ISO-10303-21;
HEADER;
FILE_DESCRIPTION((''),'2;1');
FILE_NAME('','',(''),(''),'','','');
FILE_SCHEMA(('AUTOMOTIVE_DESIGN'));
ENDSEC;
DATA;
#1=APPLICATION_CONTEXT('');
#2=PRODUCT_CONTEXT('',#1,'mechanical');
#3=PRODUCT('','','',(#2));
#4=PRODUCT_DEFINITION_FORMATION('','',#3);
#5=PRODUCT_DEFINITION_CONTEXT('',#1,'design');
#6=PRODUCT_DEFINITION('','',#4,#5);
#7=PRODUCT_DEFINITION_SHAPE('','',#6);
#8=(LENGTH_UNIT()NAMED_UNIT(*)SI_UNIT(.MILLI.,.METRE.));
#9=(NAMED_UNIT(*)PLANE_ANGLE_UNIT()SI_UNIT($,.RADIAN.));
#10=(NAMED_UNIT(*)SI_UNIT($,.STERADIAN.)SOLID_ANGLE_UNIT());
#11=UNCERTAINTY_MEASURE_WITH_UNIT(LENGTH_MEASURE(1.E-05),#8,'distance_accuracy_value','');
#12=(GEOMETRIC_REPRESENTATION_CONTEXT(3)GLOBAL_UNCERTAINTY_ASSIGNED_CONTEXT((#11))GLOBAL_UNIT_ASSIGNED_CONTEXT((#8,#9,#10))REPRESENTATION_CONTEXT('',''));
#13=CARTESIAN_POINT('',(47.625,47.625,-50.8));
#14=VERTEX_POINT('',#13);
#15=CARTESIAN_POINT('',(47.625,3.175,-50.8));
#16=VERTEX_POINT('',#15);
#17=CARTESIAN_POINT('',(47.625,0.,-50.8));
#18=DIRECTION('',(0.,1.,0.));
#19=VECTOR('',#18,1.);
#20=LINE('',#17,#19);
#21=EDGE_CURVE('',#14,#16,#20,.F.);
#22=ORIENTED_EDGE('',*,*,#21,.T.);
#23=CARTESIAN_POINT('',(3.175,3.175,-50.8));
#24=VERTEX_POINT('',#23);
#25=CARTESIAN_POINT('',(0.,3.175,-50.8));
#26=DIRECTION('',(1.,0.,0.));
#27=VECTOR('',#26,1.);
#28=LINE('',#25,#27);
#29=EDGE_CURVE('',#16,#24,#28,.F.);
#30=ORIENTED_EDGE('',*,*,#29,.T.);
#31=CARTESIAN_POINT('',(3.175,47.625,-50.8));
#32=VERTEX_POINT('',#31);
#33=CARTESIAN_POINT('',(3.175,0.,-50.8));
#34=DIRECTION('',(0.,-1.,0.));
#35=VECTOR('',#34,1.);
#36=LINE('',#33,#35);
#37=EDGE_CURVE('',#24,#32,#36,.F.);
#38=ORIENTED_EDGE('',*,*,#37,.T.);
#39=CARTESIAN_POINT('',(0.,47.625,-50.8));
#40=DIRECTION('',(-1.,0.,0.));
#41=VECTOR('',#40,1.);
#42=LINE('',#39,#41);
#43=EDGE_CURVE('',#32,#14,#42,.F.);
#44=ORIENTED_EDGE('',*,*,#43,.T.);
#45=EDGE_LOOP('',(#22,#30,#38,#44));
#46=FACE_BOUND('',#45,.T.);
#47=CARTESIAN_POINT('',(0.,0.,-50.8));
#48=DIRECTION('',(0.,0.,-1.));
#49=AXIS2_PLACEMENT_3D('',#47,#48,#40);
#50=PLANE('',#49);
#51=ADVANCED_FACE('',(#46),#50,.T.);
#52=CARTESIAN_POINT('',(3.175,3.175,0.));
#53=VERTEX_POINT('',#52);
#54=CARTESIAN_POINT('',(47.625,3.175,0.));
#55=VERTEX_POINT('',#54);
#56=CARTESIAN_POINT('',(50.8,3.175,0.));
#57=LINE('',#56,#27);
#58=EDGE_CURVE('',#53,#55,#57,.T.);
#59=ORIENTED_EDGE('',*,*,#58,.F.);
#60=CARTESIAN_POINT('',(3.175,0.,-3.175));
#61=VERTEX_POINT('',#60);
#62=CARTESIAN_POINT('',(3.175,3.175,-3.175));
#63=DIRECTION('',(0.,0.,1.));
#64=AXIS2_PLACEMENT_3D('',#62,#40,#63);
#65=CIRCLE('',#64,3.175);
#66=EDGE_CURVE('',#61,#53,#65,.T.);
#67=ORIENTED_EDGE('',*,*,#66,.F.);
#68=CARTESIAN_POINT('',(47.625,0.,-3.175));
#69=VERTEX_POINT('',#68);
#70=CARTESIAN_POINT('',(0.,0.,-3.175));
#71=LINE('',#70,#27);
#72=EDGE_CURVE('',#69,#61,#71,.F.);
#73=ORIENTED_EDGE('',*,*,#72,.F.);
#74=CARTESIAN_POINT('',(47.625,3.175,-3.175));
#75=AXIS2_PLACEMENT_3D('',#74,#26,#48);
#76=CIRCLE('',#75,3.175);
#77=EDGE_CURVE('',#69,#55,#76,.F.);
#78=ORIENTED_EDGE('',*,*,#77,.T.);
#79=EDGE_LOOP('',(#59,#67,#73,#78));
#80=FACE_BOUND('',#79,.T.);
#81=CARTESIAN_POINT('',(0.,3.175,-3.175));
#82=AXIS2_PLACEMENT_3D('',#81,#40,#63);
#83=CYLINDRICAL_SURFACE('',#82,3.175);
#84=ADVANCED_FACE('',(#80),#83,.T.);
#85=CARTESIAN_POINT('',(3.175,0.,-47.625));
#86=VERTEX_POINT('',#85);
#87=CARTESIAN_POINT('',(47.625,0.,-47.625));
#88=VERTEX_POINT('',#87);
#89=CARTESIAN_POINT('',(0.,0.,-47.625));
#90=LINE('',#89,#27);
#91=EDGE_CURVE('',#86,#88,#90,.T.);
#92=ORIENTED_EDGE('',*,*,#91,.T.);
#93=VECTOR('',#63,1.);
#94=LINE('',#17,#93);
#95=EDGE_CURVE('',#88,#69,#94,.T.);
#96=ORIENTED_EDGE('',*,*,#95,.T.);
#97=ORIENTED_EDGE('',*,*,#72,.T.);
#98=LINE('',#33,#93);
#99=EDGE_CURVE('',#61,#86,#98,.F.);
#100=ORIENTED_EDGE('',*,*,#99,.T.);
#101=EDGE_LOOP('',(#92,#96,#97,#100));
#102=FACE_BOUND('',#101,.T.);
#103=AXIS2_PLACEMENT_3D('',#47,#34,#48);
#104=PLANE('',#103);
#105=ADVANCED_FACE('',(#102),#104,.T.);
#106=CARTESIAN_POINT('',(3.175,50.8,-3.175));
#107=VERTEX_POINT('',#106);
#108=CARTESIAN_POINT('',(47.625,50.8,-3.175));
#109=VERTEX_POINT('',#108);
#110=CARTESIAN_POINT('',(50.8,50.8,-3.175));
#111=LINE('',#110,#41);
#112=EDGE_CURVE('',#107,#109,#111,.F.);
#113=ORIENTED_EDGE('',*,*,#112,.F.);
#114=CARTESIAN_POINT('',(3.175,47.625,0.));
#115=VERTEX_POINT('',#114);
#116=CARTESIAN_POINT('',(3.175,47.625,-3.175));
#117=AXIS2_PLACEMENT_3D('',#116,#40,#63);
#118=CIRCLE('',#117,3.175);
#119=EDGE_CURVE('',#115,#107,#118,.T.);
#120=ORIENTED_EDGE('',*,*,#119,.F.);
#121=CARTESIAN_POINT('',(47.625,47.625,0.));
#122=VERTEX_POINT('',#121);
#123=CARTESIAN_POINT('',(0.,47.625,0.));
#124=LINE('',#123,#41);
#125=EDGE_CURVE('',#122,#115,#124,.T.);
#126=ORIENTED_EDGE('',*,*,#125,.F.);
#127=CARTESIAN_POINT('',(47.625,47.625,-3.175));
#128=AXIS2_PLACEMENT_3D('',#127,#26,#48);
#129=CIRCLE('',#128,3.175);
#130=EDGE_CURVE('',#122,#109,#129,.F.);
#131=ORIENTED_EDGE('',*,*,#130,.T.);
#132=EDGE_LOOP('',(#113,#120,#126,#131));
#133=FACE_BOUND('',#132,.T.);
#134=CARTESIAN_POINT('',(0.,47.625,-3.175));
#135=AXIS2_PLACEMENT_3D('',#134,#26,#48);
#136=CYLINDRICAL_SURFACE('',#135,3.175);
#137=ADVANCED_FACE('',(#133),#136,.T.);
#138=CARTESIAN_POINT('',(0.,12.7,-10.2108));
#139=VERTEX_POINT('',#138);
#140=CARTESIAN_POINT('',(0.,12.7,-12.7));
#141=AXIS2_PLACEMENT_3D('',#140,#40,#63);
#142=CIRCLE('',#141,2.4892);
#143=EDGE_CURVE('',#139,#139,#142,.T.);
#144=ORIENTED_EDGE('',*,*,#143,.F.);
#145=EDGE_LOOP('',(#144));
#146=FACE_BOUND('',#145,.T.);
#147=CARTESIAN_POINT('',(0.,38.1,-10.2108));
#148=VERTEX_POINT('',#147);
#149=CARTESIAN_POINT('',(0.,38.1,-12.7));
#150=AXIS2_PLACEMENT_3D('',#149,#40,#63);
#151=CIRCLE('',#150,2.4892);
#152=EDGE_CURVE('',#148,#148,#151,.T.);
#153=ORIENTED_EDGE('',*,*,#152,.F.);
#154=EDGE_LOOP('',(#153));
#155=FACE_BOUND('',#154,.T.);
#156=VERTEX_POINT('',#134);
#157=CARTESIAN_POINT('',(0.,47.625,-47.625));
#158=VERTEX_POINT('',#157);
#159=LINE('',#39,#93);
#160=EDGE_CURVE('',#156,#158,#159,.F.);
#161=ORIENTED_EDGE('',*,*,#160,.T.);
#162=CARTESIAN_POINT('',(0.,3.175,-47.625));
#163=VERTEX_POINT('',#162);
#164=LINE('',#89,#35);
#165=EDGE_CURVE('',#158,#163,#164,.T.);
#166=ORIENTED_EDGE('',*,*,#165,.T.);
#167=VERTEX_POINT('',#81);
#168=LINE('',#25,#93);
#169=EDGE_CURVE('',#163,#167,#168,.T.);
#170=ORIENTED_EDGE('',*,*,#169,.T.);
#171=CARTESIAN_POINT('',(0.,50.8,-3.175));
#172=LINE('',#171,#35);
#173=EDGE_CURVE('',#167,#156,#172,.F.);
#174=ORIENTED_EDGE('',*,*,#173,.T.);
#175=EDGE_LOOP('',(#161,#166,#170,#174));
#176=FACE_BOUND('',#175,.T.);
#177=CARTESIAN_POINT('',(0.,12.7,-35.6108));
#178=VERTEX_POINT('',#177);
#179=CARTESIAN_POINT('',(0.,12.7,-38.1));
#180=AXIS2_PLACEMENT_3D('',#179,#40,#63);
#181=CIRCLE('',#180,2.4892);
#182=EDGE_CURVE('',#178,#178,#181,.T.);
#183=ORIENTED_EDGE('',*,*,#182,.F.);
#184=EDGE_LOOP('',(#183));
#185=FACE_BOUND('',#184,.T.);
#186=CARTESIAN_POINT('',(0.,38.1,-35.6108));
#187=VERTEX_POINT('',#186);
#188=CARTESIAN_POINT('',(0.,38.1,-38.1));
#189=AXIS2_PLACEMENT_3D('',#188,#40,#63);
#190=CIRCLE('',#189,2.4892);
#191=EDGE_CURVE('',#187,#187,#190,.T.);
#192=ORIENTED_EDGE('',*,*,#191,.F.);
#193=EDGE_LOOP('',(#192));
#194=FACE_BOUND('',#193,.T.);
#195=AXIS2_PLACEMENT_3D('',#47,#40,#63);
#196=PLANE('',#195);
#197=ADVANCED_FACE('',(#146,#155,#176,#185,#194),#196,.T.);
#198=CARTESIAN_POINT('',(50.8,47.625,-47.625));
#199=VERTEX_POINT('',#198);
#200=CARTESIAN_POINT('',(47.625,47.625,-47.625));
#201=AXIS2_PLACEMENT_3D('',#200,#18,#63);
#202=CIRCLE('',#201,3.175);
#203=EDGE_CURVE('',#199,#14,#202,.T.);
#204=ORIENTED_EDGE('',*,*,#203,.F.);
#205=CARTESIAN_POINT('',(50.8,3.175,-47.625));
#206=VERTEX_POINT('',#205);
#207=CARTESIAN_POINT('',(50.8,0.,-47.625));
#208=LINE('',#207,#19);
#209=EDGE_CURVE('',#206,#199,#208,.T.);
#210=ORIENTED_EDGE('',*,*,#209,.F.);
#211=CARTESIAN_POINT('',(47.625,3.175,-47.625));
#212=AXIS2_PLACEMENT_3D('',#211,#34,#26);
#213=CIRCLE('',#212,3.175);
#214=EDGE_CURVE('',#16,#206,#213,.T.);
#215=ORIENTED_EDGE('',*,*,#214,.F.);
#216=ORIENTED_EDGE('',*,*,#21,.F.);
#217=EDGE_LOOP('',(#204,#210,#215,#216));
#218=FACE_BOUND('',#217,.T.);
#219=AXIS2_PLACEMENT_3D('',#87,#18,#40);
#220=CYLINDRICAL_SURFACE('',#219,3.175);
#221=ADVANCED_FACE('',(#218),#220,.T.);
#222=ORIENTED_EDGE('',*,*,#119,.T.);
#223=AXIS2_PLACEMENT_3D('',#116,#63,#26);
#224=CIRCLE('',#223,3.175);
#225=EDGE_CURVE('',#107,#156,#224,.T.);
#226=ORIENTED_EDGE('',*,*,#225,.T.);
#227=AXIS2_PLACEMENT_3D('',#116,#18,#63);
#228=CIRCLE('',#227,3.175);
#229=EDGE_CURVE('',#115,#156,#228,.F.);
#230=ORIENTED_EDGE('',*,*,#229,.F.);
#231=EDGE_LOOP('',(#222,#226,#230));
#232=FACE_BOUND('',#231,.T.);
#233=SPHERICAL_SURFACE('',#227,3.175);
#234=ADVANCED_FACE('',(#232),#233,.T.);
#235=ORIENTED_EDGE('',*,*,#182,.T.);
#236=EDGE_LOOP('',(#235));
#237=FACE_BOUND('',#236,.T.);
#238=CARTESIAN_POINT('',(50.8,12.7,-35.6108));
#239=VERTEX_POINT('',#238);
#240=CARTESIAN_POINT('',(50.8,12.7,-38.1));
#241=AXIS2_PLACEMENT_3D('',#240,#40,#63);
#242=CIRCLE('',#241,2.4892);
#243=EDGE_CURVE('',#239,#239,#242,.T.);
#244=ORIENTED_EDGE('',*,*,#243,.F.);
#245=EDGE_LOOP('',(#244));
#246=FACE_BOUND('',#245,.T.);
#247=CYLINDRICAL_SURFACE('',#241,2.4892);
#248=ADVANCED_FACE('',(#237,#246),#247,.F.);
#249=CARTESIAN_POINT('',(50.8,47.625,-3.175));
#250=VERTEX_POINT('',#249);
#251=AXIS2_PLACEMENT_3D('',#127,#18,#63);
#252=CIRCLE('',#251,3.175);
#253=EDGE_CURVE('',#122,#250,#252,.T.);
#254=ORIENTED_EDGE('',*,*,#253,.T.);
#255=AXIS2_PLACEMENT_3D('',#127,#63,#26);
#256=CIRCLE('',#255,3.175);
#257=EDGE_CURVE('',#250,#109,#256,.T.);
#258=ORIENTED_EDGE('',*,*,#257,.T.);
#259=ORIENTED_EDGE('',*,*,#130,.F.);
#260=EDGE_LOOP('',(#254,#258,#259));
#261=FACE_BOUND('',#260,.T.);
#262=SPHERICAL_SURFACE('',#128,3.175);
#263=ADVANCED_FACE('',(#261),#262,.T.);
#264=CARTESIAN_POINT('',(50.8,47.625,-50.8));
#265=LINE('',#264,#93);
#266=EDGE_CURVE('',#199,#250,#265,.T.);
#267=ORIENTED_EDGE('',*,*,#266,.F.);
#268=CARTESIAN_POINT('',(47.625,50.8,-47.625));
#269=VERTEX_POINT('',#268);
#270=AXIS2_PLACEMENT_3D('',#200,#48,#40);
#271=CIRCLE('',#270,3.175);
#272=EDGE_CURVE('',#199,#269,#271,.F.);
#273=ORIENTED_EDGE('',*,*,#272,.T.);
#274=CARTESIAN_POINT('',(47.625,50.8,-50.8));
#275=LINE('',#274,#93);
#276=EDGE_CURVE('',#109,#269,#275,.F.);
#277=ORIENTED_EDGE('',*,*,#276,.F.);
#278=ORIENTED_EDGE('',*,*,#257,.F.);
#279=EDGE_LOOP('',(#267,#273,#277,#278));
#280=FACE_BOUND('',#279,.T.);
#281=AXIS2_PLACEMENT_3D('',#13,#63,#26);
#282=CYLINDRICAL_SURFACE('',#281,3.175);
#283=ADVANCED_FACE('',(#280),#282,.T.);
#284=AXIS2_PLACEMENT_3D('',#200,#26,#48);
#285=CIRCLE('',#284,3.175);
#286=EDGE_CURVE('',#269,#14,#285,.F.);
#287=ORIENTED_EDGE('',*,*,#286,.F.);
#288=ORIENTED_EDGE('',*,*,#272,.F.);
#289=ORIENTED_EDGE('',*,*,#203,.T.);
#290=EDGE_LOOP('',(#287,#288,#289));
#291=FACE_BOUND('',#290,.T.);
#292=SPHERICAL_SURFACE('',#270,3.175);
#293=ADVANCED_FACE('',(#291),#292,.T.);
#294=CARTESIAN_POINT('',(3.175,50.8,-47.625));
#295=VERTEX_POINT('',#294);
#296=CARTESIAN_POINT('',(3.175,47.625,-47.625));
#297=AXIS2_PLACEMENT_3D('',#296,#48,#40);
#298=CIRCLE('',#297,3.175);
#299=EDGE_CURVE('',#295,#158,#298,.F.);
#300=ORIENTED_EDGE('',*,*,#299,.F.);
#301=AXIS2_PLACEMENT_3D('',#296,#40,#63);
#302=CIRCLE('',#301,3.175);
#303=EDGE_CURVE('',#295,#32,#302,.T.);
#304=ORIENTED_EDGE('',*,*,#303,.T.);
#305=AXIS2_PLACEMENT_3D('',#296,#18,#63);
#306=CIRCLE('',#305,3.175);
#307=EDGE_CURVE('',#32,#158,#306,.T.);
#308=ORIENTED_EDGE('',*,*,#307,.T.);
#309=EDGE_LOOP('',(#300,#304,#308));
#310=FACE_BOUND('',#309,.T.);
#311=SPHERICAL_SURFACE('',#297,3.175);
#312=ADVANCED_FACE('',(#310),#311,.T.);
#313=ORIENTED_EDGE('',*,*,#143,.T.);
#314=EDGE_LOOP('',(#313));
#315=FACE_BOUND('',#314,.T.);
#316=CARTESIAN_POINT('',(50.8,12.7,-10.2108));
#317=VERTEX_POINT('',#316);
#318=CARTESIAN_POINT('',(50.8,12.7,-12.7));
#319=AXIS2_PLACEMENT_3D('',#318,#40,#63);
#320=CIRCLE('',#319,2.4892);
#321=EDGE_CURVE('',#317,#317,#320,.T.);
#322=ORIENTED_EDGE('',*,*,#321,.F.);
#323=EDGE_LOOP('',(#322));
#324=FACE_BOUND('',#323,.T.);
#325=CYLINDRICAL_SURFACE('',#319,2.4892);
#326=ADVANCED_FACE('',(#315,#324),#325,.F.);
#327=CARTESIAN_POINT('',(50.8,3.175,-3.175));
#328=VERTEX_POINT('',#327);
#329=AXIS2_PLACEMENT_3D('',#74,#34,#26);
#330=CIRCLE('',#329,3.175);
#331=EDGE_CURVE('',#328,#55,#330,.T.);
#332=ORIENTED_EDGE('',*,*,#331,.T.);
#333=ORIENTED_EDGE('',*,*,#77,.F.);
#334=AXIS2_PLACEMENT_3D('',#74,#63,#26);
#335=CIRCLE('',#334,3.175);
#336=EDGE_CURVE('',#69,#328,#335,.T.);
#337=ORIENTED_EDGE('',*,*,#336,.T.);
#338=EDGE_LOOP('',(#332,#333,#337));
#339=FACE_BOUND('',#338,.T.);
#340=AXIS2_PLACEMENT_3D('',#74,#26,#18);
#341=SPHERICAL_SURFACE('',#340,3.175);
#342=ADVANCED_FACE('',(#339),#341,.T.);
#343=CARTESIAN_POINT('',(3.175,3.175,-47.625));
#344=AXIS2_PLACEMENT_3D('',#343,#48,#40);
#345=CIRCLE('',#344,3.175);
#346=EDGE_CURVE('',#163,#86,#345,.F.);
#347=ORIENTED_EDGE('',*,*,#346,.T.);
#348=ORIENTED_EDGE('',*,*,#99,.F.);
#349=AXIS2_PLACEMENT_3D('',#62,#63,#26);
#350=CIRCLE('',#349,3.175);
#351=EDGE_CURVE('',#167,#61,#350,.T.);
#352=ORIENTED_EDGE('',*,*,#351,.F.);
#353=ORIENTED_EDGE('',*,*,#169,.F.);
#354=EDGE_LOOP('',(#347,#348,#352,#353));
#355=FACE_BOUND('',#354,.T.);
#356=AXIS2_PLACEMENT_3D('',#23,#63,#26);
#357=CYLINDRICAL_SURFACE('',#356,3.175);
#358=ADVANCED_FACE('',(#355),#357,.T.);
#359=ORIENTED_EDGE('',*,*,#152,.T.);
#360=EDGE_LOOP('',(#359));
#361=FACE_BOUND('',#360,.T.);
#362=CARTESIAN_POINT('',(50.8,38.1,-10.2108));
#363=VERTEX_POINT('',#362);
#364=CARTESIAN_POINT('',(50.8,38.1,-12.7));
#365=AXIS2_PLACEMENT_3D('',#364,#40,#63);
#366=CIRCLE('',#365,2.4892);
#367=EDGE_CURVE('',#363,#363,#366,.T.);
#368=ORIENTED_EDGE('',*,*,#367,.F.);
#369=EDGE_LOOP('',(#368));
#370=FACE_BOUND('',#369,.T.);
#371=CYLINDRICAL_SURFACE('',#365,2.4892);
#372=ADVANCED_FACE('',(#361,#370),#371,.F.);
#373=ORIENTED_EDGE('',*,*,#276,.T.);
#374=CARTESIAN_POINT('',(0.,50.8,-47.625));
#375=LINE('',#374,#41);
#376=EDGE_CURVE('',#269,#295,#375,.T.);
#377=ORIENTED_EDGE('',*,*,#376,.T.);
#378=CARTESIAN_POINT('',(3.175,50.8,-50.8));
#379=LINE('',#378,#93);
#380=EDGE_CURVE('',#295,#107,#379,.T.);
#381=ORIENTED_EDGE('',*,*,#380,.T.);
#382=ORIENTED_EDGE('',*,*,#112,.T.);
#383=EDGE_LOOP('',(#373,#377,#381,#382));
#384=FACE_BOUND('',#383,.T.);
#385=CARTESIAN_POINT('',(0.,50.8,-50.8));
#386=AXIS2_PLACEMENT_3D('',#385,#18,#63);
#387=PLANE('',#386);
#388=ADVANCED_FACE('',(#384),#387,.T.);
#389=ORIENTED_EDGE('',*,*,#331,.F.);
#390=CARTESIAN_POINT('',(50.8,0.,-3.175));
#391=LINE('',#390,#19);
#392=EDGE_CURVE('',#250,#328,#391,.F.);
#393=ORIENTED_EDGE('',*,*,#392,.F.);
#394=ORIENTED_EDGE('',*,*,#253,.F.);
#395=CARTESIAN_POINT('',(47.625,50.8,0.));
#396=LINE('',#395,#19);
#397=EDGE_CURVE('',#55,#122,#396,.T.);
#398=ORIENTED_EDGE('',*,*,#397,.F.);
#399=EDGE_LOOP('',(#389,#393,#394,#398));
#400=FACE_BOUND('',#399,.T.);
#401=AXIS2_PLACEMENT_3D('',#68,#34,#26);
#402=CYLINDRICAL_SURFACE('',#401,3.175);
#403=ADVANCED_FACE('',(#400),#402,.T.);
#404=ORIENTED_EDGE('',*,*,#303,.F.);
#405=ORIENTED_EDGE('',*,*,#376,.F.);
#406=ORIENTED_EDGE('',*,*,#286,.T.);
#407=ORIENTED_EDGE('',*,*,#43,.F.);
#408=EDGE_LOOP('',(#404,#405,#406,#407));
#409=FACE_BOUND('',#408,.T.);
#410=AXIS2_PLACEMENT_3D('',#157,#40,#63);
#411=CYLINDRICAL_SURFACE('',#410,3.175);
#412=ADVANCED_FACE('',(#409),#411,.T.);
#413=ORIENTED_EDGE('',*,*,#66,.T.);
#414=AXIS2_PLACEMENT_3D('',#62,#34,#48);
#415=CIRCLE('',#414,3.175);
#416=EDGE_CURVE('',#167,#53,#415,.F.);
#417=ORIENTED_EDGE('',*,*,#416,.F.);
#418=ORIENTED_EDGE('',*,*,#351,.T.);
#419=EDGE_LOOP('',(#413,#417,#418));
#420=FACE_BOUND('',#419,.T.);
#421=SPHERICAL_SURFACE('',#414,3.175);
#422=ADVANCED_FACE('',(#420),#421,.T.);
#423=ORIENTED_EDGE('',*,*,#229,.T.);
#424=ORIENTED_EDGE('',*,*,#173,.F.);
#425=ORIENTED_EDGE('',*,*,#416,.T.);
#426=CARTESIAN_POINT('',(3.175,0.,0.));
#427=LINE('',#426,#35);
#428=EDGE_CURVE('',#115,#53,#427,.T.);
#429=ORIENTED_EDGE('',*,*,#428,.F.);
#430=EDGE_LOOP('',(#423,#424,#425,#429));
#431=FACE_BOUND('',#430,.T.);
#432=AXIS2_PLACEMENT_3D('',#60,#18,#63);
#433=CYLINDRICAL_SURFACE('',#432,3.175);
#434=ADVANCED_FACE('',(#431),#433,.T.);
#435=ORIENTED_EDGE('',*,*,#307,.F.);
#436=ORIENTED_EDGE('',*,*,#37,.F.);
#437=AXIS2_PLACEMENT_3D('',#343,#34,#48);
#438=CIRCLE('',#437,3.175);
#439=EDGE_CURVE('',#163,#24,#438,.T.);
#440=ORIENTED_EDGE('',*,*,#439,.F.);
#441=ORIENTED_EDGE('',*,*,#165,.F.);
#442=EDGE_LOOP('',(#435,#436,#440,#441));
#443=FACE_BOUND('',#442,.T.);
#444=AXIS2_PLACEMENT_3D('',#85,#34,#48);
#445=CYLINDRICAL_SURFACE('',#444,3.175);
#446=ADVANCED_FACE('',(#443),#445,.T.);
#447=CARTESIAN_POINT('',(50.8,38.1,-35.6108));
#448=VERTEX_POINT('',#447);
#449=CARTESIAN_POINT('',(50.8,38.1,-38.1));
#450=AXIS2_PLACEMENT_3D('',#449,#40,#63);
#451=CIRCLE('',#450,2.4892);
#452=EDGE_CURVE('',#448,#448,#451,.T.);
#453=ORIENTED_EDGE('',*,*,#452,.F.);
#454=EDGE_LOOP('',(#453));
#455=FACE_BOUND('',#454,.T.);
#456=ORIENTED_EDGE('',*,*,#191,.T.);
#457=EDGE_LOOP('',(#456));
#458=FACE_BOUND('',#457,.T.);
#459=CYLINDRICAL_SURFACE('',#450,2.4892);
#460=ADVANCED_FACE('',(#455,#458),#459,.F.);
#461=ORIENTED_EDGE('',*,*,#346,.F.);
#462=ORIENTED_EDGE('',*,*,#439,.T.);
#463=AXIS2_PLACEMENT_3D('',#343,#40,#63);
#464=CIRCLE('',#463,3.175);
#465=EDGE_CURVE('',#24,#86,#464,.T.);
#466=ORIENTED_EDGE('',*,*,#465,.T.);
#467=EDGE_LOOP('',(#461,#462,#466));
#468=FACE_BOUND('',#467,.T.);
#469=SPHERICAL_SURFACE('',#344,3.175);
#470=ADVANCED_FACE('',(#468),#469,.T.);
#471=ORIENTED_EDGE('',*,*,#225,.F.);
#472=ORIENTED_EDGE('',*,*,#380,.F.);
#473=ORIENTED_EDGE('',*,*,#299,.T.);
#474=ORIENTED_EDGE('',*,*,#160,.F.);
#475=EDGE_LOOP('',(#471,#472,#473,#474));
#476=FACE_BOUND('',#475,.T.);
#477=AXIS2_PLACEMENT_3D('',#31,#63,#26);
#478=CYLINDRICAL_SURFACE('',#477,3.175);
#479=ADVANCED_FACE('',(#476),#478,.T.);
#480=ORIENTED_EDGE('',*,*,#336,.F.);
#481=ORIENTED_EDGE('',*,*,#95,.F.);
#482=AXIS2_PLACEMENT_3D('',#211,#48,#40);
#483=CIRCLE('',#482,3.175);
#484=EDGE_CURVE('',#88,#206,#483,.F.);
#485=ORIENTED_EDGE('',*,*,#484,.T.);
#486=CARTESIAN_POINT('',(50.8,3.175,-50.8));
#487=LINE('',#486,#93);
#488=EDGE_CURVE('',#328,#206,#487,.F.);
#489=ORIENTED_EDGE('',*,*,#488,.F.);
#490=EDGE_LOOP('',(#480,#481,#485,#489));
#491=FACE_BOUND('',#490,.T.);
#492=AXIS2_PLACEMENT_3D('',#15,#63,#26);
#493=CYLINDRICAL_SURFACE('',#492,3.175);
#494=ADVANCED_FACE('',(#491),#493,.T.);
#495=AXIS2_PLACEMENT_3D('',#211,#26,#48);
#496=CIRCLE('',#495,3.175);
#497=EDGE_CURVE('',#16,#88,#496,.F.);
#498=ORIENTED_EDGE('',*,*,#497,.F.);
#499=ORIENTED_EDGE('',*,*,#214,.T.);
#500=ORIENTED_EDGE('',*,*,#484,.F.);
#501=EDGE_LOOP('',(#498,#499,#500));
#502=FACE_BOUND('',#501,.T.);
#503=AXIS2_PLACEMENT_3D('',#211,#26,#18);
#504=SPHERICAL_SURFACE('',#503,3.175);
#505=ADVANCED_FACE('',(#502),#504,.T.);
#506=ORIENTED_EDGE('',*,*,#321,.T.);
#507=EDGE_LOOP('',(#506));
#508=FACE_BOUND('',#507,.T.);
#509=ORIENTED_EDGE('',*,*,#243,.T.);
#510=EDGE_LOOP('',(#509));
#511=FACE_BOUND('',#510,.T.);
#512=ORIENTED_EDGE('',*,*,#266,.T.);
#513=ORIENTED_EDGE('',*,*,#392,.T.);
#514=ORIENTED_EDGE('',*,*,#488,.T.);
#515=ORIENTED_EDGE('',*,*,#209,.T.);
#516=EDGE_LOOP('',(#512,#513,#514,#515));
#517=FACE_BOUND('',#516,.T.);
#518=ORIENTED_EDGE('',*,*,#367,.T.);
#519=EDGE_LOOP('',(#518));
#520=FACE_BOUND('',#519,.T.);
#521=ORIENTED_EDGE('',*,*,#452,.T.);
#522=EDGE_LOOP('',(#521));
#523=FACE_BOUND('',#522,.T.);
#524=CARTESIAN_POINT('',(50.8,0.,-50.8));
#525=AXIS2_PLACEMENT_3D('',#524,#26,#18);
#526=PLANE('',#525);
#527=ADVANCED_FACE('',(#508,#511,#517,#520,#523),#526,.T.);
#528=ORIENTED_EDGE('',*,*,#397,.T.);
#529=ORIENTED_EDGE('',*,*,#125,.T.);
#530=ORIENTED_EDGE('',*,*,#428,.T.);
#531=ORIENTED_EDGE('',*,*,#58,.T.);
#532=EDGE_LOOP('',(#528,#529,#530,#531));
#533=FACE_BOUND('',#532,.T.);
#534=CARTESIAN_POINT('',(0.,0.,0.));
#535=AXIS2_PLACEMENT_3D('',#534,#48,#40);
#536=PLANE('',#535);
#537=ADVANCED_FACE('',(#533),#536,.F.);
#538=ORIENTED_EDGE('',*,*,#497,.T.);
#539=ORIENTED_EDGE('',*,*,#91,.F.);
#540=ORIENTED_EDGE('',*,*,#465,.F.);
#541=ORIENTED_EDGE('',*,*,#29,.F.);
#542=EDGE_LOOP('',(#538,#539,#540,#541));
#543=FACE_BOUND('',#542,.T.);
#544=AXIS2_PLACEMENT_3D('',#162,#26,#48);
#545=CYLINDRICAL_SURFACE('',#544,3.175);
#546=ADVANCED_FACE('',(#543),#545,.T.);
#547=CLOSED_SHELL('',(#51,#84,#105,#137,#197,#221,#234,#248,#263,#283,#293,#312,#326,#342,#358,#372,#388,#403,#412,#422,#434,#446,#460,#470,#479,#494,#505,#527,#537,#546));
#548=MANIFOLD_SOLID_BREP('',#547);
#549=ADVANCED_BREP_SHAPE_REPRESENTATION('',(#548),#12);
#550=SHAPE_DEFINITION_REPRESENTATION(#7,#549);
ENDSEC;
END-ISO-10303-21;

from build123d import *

# Parameters (mm, degrees)
SKETCH1_W           = 50.8
SKETCH1_H           = 50.8
BOSS_EXTRUDE1_DEPTH = 50.8
FILLET1_R           = 3.175
SKETCH2_R           = 2.4892
CUT_EXTRUDE1_DEPTH  = 88.988181024


with BuildPart() as part:
    # Sketch1 → Boss-Extrude1 (new body)
    with BuildSketch(Plane.XY):
        with Locations((25.4, 25.4)):
            Rectangle(SKETCH1_W, SKETCH1_H)
    extrude(amount=-BOSS_EXTRUDE1_DEPTH)

    # Fillet1
    fillet1_edges = [part.edges().sort_by_distance(p)[0] for p in [
        (50.8, 25.4, -50.8),
        (25.4, 50.8, -50.8),
        (0, 25.4, -50.8),
        (25.4, 50.8, 0),
        (50.8, 25.4, 0),
        (25.4, 0, 0),
        (0, 25.4, 0),
        (0, 50.8, -25.4),
        (50.8, 50.8, -25.4),
        (50.8, 0, -25.4),
        (0, 0, -25.4),
        (25.4, 0, -50.8),
    ]]
    fillet(fillet1_edges, radius=FILLET1_R)

    # Sketch2 → Cut-Extrude1 (cut, through all)
    with BuildSketch(Plane.ZY):
        with Locations((-38.1, 12.7)):
            Circle(SKETCH2_R)
        with Locations((-12.7, 12.7)):
            Circle(SKETCH2_R)
        with Locations((-12.7, 38.1)):
            Circle(SKETCH2_R)
        with Locations((-38.1, 38.1)):
            Circle(SKETCH2_R)
    extrude(amount=-CUT_EXTRUDE1_DEPTH, mode=Mode.SUBTRACT)


solid = part.part
